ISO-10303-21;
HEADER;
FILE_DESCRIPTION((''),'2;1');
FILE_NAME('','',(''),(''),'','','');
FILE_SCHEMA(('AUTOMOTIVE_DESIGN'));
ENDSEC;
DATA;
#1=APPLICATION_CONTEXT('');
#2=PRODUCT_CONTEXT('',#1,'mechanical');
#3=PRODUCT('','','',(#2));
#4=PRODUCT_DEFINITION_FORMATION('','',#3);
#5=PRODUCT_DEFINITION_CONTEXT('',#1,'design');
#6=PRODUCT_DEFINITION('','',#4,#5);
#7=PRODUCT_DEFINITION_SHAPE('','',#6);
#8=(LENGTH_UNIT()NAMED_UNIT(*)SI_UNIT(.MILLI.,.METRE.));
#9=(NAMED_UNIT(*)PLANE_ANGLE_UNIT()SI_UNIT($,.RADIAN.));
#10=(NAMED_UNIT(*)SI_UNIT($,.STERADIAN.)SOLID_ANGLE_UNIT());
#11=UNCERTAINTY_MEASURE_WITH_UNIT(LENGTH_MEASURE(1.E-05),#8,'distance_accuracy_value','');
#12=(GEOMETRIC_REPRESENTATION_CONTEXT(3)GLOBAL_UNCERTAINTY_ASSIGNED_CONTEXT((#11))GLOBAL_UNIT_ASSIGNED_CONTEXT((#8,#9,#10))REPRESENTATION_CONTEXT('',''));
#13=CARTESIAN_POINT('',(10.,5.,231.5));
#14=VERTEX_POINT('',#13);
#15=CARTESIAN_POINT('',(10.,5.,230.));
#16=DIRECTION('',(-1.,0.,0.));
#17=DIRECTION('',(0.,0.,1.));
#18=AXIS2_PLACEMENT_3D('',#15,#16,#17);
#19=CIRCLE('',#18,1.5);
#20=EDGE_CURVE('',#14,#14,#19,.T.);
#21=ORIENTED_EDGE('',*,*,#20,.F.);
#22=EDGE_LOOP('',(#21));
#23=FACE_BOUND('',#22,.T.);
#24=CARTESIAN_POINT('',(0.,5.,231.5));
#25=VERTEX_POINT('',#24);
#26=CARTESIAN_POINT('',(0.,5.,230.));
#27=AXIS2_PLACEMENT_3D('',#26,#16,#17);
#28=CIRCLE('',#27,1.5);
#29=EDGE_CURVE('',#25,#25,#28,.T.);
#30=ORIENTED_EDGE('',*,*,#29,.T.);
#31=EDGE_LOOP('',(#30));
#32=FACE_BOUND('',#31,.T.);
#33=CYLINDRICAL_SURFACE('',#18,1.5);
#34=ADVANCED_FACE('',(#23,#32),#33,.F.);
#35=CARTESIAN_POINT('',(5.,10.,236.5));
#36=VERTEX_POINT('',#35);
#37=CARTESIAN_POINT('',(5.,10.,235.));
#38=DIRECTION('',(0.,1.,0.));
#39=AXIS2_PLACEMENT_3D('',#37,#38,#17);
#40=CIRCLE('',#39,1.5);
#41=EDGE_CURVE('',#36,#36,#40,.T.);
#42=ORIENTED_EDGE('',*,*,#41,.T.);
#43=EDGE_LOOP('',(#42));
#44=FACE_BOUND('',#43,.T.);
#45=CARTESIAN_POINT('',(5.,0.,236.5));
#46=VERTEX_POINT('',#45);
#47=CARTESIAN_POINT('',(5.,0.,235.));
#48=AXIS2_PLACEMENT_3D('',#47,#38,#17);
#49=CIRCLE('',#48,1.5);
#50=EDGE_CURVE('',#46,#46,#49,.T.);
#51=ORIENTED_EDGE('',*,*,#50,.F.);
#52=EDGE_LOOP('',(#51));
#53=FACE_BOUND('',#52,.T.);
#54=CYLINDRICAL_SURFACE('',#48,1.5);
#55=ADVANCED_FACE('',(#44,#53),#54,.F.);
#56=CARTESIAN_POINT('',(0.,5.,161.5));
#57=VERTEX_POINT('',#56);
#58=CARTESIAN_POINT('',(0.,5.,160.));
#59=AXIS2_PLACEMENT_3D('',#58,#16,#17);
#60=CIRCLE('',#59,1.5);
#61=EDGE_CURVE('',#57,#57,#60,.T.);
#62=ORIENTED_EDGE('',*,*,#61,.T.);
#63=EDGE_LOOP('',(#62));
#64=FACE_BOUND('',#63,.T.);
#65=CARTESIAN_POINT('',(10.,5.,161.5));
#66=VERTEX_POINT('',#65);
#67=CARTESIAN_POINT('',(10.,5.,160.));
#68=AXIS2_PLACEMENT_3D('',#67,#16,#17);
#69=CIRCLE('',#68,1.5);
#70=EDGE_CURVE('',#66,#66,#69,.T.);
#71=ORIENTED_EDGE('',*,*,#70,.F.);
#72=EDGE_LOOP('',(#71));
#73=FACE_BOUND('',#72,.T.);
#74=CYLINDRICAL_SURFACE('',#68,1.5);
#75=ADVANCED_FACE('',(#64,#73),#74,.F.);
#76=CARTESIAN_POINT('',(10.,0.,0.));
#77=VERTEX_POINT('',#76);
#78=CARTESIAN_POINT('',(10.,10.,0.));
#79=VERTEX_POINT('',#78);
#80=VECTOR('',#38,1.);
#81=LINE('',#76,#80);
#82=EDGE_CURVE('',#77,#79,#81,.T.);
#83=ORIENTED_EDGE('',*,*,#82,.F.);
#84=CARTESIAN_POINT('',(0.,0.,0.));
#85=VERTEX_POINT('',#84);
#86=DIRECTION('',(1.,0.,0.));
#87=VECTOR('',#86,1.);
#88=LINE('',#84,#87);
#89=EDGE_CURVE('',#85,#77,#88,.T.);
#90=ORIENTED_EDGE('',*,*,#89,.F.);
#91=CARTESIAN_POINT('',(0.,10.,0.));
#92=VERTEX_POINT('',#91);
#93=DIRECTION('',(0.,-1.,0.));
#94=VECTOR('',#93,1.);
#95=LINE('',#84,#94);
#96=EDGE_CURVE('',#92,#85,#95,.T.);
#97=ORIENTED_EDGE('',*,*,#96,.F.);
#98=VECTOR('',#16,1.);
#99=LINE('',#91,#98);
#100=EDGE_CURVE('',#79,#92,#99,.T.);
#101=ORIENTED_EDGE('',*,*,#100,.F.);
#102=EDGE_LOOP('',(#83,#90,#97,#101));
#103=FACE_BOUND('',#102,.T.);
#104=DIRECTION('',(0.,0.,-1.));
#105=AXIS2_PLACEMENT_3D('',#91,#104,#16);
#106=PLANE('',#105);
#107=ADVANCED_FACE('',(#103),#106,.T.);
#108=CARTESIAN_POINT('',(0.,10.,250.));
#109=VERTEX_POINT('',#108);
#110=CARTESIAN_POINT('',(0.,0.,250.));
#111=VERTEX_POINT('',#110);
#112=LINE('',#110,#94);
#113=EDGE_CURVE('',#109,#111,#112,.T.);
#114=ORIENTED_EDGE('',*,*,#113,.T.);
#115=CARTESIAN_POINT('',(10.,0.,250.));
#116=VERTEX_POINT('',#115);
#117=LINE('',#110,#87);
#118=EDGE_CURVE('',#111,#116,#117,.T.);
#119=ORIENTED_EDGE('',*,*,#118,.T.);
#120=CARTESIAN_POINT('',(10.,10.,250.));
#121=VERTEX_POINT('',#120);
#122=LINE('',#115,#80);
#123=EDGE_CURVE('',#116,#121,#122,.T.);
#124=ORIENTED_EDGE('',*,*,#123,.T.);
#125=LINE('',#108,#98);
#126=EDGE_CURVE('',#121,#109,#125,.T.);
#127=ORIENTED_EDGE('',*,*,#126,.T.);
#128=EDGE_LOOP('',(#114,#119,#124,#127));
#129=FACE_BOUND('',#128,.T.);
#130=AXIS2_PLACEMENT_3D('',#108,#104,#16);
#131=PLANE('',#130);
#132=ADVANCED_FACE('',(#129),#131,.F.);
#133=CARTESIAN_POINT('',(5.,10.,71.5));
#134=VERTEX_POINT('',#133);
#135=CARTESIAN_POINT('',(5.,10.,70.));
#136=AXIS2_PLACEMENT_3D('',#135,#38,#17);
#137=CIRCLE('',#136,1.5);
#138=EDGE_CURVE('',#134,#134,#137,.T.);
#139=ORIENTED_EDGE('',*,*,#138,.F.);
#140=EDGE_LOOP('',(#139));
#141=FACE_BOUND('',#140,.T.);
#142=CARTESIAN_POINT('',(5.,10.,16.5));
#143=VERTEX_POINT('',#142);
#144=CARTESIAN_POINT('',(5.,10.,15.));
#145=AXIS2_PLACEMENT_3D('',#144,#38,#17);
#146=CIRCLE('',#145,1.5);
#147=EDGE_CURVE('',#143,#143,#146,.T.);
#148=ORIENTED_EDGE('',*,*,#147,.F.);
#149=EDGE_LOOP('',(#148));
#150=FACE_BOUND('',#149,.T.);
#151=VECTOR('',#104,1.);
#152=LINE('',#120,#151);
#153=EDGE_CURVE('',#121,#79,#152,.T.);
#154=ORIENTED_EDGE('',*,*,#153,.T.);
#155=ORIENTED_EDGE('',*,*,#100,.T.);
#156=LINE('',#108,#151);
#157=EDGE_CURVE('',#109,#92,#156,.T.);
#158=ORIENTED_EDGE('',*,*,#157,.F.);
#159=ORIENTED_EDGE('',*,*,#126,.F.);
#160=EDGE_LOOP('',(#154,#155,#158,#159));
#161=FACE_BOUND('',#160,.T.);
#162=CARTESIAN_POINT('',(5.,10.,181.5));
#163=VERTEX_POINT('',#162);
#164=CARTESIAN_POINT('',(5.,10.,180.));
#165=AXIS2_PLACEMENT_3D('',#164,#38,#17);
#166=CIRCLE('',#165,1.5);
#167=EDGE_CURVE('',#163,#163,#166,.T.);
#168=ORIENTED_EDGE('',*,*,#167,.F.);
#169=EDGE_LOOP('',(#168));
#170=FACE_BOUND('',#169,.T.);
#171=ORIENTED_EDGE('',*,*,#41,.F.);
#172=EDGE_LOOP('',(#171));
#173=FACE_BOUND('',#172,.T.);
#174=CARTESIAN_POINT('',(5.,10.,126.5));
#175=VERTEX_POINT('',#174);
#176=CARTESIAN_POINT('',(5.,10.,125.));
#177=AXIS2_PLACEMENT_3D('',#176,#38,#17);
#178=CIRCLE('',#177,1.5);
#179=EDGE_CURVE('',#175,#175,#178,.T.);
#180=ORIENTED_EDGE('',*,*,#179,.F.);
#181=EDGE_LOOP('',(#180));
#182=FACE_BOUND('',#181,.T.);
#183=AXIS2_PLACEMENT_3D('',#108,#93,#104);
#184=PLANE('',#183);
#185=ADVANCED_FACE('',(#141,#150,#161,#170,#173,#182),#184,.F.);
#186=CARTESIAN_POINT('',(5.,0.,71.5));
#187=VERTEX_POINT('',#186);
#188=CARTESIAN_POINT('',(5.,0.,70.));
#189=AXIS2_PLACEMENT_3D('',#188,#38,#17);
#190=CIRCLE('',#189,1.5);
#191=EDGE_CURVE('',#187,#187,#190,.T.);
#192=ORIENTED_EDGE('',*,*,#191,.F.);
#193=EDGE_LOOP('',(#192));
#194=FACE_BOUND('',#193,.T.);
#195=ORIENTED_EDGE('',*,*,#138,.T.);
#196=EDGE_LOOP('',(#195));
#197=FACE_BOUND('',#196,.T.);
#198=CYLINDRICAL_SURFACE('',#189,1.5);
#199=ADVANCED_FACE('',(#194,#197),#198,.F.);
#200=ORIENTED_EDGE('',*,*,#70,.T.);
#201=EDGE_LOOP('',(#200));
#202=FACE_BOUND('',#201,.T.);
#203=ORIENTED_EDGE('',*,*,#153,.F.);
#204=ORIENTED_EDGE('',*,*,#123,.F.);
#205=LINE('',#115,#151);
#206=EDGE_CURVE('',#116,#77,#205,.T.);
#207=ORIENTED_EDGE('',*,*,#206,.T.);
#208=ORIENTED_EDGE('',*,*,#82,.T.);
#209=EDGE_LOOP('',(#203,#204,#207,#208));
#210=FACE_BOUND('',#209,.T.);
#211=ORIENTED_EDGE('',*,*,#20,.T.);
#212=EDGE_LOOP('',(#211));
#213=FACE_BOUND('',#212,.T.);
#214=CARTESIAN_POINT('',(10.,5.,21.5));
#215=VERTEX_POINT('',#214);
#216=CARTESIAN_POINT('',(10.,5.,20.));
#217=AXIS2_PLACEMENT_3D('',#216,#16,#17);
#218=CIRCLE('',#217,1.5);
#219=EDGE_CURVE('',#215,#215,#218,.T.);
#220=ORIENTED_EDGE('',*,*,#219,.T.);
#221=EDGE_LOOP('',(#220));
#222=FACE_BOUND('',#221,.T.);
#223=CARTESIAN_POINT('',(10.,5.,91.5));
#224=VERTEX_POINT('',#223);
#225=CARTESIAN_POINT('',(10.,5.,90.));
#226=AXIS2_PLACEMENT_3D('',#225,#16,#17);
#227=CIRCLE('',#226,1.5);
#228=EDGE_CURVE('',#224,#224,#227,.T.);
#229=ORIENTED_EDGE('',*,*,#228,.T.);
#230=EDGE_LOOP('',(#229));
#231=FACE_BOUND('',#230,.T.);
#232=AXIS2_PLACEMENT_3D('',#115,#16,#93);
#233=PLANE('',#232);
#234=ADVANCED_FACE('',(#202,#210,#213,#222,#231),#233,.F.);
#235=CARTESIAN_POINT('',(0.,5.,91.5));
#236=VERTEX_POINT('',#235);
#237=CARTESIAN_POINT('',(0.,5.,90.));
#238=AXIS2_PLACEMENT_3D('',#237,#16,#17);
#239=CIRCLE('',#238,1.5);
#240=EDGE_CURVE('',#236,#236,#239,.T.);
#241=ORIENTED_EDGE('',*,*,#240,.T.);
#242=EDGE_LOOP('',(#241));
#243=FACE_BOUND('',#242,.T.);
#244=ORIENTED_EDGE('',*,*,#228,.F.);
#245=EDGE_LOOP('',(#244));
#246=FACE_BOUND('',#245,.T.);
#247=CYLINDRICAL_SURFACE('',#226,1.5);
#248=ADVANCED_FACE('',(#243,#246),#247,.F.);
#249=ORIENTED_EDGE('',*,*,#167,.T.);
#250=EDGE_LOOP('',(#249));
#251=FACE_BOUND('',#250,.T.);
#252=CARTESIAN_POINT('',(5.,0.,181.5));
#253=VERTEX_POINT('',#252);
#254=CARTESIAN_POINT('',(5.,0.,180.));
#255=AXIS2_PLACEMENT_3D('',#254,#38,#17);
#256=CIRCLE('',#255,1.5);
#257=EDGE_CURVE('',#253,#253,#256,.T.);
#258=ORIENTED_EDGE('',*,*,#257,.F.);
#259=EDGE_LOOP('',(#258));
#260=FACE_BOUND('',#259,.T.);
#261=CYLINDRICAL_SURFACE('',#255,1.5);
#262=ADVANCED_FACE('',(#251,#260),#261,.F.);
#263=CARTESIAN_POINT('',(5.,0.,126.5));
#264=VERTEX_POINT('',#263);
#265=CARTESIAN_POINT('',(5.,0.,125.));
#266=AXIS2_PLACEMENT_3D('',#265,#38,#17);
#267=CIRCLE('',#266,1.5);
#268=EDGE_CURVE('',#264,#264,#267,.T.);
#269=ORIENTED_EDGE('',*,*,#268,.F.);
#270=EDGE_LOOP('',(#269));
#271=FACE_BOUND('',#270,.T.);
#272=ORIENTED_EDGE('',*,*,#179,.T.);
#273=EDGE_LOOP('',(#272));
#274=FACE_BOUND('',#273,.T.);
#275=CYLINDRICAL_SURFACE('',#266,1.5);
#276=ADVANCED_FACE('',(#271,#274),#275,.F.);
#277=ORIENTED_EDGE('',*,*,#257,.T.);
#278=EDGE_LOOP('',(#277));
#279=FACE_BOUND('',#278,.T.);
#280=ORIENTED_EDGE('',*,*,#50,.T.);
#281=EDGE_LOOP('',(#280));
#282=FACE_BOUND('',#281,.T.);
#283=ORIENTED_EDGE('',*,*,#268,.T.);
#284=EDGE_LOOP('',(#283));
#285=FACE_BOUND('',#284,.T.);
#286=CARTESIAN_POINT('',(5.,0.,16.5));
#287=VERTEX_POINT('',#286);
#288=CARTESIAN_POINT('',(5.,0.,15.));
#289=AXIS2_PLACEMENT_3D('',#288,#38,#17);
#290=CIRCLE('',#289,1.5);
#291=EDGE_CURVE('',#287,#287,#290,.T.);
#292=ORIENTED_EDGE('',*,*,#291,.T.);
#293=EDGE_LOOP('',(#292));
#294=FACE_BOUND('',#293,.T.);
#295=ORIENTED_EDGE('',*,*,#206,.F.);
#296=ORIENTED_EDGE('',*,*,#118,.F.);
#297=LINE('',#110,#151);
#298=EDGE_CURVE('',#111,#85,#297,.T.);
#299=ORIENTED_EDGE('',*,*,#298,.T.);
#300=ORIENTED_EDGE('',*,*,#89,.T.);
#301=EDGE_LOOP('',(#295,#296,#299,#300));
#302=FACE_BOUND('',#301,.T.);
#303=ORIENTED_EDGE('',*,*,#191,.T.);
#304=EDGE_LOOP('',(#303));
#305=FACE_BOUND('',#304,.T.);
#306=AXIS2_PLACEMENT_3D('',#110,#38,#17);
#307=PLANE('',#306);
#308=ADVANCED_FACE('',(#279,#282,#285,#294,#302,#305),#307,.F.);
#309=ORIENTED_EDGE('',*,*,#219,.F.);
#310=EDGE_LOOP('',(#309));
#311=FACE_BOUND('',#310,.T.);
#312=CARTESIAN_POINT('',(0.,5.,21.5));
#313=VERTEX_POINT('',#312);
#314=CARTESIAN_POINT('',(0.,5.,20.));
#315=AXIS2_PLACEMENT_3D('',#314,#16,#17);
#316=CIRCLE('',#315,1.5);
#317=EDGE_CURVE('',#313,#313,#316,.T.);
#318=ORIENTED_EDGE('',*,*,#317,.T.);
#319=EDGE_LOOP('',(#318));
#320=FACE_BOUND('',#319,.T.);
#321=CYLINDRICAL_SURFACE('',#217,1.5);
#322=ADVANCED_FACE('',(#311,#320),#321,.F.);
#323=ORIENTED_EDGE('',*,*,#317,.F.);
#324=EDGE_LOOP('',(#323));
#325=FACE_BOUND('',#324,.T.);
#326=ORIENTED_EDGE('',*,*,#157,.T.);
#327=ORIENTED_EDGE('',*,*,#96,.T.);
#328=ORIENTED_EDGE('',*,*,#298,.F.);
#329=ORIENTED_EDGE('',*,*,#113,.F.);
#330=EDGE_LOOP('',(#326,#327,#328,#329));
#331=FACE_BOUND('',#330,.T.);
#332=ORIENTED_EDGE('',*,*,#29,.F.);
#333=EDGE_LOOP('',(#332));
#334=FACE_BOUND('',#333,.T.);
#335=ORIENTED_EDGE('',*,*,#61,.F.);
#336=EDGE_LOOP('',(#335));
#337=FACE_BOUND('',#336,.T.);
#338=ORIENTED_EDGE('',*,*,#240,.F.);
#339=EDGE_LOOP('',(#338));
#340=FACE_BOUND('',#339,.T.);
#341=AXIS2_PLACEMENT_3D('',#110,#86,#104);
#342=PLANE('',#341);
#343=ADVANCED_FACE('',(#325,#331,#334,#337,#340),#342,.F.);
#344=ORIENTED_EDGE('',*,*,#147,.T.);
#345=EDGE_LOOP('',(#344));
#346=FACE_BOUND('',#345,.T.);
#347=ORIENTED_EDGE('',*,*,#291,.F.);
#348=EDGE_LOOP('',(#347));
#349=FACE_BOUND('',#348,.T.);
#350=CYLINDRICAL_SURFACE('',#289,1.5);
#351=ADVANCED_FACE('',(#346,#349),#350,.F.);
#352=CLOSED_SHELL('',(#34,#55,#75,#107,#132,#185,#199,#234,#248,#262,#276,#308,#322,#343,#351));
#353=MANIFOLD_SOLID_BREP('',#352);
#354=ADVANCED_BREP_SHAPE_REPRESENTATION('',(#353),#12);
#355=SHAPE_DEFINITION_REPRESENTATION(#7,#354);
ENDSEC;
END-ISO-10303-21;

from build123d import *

# Parameters (mm, degrees)
SKETCH1_W          = 10
SKETCH1_H          = 10
EXTRUDE1_DEPTH     = 250
SKETCH4_R          = 1.5
CUT_EXTRUDE3_DEPTH = 251.399680511
LPATTERN2_COUNT    = 5
LPATTERN2_PITCH    = 55
SKETCH5_R          = 1.5
CUT_EXTRUDE4_DEPTH = 251.399680511


with BuildPart() as part:
    # Sketch1 → Extrude1 (new body)
    with BuildSketch(Plane.XY):
        with Locations((5, 5)):
            Rectangle(SKETCH1_W, SKETCH1_H)
    extrude(amount=EXTRUDE1_DEPTH)

    # Sketch4 → Cut-Extrude3 (cut, through all)
    with BuildSketch(Plane(origin=(0, 10, 0), x_dir=(-1, 0, 0), z_dir=(0, 1, 0))):
        with Locations(Location((-5, 15, 0), (0, 0, 90))):
            Circle(SKETCH4_R)
    cut_extrude3 = extrude(amount=-CUT_EXTRUDE3_DEPTH, mode=Mode.SUBTRACT)

    # LPattern2: Cut-Extrude3 ×5
    with Locations(*[(0, 0, i * LPATTERN2_PITCH) for i in range(1, LPATTERN2_COUNT)]):
        add(cut_extrude3, mode=Mode.SUBTRACT)

    # Sketch5 → Cut-Extrude4 (cut, through all)
    with BuildSketch(Plane.ZY):
        with Locations((20, 5)):
            Circle(SKETCH5_R)
        with Locations((90, 5)):
            Circle(SKETCH5_R)
        with Locations((230, 5)):
            Circle(SKETCH5_R)
        with Locations((160, 5)):
            Circle(SKETCH5_R)
    extrude(amount=-CUT_EXTRUDE4_DEPTH, mode=Mode.SUBTRACT)


solid = part.part
